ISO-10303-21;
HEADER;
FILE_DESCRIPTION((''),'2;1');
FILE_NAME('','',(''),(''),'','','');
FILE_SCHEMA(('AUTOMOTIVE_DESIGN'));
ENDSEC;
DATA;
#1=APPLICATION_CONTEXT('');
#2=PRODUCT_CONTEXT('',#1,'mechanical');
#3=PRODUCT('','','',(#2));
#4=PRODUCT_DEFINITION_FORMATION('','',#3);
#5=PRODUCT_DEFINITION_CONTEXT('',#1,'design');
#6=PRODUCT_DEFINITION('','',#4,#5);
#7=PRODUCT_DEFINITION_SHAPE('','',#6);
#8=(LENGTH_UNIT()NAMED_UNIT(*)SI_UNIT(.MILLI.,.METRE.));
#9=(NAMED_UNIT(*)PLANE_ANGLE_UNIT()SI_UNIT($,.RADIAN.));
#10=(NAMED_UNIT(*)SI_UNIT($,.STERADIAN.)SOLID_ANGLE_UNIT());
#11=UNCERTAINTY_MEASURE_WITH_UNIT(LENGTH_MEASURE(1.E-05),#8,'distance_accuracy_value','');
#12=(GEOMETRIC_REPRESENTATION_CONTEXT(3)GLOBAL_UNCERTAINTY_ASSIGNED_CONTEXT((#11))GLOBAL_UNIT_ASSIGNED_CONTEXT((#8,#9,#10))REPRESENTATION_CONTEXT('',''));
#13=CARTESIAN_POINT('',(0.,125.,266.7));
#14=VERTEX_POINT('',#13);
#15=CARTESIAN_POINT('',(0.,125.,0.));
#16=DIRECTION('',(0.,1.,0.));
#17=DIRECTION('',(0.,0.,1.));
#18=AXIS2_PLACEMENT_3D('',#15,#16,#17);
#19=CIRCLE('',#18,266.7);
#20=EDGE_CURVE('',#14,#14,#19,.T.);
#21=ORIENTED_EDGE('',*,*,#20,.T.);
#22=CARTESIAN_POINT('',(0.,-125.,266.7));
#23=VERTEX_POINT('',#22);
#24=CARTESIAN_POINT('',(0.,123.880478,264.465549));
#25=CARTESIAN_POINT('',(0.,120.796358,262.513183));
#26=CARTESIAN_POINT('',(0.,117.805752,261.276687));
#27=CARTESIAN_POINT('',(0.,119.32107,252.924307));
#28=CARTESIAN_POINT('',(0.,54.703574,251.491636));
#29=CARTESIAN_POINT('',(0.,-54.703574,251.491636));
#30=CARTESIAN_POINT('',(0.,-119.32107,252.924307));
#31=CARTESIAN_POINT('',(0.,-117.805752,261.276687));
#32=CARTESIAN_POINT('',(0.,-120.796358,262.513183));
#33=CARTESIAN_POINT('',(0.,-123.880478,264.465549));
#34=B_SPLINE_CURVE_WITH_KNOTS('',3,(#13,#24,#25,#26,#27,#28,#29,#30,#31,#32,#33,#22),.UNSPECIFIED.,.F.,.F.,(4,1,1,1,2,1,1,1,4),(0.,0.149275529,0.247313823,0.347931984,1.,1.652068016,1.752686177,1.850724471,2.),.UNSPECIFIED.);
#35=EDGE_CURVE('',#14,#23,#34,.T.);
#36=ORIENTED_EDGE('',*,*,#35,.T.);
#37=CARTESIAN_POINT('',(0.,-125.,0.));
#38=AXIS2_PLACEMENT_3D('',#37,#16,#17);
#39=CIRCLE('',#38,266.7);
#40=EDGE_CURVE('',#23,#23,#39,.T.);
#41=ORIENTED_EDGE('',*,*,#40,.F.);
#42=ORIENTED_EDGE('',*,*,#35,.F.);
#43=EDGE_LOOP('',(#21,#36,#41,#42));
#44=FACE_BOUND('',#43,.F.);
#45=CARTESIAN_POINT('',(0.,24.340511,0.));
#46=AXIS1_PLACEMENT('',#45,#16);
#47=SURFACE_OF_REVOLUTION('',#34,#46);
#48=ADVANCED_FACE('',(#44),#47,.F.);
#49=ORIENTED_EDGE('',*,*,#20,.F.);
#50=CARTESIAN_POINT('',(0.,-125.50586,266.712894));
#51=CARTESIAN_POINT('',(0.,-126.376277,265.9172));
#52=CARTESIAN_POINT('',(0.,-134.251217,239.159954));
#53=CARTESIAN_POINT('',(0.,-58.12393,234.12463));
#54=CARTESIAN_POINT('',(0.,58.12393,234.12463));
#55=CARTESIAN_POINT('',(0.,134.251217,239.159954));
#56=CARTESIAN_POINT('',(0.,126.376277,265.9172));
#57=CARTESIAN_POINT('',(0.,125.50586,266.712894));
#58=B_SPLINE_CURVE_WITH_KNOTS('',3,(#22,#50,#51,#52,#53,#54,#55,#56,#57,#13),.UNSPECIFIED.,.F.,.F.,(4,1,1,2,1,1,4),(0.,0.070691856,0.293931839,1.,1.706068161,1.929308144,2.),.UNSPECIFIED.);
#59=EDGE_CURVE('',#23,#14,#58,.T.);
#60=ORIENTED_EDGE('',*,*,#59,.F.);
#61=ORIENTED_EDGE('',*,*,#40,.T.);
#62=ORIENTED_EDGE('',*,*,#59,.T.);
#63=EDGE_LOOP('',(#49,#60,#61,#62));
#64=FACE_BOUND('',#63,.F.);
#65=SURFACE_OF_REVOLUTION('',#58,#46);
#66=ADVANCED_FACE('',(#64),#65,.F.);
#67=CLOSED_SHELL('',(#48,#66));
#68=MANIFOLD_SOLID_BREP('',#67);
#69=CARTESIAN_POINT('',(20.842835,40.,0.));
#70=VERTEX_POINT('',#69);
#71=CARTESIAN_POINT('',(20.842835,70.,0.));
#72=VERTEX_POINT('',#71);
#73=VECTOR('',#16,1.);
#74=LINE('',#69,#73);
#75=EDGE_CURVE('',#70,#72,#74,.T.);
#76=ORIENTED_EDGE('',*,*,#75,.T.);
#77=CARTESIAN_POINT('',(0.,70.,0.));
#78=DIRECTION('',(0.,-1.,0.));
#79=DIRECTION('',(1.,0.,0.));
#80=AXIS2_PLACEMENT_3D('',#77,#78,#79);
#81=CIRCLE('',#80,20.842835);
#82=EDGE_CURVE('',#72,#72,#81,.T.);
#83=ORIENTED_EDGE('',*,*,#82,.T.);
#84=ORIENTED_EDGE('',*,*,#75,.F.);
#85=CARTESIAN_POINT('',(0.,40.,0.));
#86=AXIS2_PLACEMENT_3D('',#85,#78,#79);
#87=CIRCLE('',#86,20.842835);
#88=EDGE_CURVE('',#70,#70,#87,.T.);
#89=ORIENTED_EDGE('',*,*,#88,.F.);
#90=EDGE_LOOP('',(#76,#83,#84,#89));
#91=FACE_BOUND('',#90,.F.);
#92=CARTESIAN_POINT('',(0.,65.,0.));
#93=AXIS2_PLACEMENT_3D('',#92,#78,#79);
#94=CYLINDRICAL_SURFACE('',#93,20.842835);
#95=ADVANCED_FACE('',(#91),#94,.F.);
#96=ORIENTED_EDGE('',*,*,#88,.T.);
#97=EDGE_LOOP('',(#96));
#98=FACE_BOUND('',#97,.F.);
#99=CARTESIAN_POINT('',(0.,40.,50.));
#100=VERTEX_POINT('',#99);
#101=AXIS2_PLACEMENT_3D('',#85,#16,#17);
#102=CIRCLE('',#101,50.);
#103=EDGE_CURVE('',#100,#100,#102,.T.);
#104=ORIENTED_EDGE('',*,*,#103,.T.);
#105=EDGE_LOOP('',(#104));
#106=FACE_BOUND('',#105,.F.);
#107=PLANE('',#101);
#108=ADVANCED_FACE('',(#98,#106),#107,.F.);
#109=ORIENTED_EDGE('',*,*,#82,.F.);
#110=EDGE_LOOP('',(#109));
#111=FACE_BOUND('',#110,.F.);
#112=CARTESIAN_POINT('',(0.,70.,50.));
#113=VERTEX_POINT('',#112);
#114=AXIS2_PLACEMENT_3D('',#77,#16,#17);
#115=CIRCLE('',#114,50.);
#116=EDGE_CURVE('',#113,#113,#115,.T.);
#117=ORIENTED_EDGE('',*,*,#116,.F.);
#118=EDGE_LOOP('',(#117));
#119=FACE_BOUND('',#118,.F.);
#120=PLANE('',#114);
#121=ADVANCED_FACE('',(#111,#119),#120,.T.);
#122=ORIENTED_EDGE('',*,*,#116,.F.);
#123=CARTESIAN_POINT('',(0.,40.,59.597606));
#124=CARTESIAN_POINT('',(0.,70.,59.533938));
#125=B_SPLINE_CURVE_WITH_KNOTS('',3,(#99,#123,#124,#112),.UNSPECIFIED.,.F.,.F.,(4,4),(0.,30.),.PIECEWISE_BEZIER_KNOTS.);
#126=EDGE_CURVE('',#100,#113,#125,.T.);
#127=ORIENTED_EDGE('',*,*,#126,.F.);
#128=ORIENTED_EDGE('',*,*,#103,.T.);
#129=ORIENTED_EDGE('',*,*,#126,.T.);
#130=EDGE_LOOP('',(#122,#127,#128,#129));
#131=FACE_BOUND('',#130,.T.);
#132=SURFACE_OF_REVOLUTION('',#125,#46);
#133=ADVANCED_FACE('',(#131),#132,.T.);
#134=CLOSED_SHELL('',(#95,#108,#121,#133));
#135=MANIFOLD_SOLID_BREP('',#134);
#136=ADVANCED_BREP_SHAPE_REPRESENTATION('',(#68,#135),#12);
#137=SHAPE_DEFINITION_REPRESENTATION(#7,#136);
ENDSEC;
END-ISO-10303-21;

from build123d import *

# Parameters (mm, degrees)
F2_R     = 20.8428347487
F3_DEPTH = 25
F4_DEPTH = 50


with BuildPart() as f1:
    # F0 (on Right) → F1 (revolve)
    with BuildSketch(Plane.YZ):
        with BuildLine():
            add(Edge.make_bspline(
                [(-125, 266.7), (-123.8804779002, 264.4655485789), (-120.7963579196, 262.513183174), (-117.8057518151, 261.2766866739), (-119.321070282, 252.9243074247), (-54.7035742173, 251.4916356087), (0, 251.4916356087)],
                knots=[0, 0, 0, 0, 0.1492755289, 0.2473138233, 0.3479319839, 1, 1, 1, 1], degree=3))
            add(Edge.make_bspline(
                [(-125, 266.7), (-125.5058601487, 266.7128938376), (-126.3762770426, 265.9171995304), (-134.2512165674, 239.1599540113), (-58.1239303671, 234.1246302605), (0, 234.1246302605)],
                knots=[0, 0, 0, 0, 0.0706918561, 0.2939318387, 1, 1, 1, 1], degree=3))
            add(Edge.make_bspline(
                [(125, 266.7), (125.5058601487, 266.7128938376), (126.3762770426, 265.9171995304), (134.2512165674, 239.1599540113), (58.1239303671, 234.1246302605), (0, 234.1246302605)],
                knots=[0, 0, 0, 0, 0.0706918561, 0.2939318387, 1, 1, 1, 1], degree=3))
            add(Edge.make_bspline(
                [(125, 266.7), (123.8804779002, 264.4655485789), (120.7963579196, 262.513183174), (117.8057518151, 261.2766866739), (119.321070282, 252.9243074247), (54.7035742173, 251.4916356087), (0, 251.4916356087)],
                knots=[0, 0, 0, 0, 0.1492755289, 0.2473138233, 0.3479319839, 1, 1, 1, 1], degree=3))
        make_face()
    revolve(axis=Axis((0, 24.3405112997, 0), (0, 1, 0)))


with BuildPart() as f1b:
    # F0 (on Right) → F1, piece 2 (revolve)
    with BuildSketch(Plane.YZ):
        with BuildLine():
            Line((40, 0), (70, 0))
            Line((70, 0), (70, 50))
            add(Edge.make_bspline(
                [(40, 50), (40, 59.5976062863), (70, 59.5339378379), (70, 50)],
                knots=[0, 0, 0, 0, 30, 30, 30, 30], degree=3))
            Line((40, 50), (40, 0))
        make_face()
    revolve(axis=Axis((0, 24.3405112997, 0), (0, 1, 0)))

    # F2 (on face) → F3 (cut)
    with BuildSketch(Plane.XZ.offset(-40)):
        Circle(F2_R)
    extrude(amount=-F3_DEPTH, mode=Mode.SUBTRACT)

    # F4 (cut): a face of the model
    f4_faces = [f1b.faces().sort_by_distance(p)[0] for p in [
        (0, 65, 0),
    ]]
    extrude(f4_faces, amount=-F4_DEPTH, mode=Mode.SUBTRACT)


solid = Compound([f1.part, f1b.part])
